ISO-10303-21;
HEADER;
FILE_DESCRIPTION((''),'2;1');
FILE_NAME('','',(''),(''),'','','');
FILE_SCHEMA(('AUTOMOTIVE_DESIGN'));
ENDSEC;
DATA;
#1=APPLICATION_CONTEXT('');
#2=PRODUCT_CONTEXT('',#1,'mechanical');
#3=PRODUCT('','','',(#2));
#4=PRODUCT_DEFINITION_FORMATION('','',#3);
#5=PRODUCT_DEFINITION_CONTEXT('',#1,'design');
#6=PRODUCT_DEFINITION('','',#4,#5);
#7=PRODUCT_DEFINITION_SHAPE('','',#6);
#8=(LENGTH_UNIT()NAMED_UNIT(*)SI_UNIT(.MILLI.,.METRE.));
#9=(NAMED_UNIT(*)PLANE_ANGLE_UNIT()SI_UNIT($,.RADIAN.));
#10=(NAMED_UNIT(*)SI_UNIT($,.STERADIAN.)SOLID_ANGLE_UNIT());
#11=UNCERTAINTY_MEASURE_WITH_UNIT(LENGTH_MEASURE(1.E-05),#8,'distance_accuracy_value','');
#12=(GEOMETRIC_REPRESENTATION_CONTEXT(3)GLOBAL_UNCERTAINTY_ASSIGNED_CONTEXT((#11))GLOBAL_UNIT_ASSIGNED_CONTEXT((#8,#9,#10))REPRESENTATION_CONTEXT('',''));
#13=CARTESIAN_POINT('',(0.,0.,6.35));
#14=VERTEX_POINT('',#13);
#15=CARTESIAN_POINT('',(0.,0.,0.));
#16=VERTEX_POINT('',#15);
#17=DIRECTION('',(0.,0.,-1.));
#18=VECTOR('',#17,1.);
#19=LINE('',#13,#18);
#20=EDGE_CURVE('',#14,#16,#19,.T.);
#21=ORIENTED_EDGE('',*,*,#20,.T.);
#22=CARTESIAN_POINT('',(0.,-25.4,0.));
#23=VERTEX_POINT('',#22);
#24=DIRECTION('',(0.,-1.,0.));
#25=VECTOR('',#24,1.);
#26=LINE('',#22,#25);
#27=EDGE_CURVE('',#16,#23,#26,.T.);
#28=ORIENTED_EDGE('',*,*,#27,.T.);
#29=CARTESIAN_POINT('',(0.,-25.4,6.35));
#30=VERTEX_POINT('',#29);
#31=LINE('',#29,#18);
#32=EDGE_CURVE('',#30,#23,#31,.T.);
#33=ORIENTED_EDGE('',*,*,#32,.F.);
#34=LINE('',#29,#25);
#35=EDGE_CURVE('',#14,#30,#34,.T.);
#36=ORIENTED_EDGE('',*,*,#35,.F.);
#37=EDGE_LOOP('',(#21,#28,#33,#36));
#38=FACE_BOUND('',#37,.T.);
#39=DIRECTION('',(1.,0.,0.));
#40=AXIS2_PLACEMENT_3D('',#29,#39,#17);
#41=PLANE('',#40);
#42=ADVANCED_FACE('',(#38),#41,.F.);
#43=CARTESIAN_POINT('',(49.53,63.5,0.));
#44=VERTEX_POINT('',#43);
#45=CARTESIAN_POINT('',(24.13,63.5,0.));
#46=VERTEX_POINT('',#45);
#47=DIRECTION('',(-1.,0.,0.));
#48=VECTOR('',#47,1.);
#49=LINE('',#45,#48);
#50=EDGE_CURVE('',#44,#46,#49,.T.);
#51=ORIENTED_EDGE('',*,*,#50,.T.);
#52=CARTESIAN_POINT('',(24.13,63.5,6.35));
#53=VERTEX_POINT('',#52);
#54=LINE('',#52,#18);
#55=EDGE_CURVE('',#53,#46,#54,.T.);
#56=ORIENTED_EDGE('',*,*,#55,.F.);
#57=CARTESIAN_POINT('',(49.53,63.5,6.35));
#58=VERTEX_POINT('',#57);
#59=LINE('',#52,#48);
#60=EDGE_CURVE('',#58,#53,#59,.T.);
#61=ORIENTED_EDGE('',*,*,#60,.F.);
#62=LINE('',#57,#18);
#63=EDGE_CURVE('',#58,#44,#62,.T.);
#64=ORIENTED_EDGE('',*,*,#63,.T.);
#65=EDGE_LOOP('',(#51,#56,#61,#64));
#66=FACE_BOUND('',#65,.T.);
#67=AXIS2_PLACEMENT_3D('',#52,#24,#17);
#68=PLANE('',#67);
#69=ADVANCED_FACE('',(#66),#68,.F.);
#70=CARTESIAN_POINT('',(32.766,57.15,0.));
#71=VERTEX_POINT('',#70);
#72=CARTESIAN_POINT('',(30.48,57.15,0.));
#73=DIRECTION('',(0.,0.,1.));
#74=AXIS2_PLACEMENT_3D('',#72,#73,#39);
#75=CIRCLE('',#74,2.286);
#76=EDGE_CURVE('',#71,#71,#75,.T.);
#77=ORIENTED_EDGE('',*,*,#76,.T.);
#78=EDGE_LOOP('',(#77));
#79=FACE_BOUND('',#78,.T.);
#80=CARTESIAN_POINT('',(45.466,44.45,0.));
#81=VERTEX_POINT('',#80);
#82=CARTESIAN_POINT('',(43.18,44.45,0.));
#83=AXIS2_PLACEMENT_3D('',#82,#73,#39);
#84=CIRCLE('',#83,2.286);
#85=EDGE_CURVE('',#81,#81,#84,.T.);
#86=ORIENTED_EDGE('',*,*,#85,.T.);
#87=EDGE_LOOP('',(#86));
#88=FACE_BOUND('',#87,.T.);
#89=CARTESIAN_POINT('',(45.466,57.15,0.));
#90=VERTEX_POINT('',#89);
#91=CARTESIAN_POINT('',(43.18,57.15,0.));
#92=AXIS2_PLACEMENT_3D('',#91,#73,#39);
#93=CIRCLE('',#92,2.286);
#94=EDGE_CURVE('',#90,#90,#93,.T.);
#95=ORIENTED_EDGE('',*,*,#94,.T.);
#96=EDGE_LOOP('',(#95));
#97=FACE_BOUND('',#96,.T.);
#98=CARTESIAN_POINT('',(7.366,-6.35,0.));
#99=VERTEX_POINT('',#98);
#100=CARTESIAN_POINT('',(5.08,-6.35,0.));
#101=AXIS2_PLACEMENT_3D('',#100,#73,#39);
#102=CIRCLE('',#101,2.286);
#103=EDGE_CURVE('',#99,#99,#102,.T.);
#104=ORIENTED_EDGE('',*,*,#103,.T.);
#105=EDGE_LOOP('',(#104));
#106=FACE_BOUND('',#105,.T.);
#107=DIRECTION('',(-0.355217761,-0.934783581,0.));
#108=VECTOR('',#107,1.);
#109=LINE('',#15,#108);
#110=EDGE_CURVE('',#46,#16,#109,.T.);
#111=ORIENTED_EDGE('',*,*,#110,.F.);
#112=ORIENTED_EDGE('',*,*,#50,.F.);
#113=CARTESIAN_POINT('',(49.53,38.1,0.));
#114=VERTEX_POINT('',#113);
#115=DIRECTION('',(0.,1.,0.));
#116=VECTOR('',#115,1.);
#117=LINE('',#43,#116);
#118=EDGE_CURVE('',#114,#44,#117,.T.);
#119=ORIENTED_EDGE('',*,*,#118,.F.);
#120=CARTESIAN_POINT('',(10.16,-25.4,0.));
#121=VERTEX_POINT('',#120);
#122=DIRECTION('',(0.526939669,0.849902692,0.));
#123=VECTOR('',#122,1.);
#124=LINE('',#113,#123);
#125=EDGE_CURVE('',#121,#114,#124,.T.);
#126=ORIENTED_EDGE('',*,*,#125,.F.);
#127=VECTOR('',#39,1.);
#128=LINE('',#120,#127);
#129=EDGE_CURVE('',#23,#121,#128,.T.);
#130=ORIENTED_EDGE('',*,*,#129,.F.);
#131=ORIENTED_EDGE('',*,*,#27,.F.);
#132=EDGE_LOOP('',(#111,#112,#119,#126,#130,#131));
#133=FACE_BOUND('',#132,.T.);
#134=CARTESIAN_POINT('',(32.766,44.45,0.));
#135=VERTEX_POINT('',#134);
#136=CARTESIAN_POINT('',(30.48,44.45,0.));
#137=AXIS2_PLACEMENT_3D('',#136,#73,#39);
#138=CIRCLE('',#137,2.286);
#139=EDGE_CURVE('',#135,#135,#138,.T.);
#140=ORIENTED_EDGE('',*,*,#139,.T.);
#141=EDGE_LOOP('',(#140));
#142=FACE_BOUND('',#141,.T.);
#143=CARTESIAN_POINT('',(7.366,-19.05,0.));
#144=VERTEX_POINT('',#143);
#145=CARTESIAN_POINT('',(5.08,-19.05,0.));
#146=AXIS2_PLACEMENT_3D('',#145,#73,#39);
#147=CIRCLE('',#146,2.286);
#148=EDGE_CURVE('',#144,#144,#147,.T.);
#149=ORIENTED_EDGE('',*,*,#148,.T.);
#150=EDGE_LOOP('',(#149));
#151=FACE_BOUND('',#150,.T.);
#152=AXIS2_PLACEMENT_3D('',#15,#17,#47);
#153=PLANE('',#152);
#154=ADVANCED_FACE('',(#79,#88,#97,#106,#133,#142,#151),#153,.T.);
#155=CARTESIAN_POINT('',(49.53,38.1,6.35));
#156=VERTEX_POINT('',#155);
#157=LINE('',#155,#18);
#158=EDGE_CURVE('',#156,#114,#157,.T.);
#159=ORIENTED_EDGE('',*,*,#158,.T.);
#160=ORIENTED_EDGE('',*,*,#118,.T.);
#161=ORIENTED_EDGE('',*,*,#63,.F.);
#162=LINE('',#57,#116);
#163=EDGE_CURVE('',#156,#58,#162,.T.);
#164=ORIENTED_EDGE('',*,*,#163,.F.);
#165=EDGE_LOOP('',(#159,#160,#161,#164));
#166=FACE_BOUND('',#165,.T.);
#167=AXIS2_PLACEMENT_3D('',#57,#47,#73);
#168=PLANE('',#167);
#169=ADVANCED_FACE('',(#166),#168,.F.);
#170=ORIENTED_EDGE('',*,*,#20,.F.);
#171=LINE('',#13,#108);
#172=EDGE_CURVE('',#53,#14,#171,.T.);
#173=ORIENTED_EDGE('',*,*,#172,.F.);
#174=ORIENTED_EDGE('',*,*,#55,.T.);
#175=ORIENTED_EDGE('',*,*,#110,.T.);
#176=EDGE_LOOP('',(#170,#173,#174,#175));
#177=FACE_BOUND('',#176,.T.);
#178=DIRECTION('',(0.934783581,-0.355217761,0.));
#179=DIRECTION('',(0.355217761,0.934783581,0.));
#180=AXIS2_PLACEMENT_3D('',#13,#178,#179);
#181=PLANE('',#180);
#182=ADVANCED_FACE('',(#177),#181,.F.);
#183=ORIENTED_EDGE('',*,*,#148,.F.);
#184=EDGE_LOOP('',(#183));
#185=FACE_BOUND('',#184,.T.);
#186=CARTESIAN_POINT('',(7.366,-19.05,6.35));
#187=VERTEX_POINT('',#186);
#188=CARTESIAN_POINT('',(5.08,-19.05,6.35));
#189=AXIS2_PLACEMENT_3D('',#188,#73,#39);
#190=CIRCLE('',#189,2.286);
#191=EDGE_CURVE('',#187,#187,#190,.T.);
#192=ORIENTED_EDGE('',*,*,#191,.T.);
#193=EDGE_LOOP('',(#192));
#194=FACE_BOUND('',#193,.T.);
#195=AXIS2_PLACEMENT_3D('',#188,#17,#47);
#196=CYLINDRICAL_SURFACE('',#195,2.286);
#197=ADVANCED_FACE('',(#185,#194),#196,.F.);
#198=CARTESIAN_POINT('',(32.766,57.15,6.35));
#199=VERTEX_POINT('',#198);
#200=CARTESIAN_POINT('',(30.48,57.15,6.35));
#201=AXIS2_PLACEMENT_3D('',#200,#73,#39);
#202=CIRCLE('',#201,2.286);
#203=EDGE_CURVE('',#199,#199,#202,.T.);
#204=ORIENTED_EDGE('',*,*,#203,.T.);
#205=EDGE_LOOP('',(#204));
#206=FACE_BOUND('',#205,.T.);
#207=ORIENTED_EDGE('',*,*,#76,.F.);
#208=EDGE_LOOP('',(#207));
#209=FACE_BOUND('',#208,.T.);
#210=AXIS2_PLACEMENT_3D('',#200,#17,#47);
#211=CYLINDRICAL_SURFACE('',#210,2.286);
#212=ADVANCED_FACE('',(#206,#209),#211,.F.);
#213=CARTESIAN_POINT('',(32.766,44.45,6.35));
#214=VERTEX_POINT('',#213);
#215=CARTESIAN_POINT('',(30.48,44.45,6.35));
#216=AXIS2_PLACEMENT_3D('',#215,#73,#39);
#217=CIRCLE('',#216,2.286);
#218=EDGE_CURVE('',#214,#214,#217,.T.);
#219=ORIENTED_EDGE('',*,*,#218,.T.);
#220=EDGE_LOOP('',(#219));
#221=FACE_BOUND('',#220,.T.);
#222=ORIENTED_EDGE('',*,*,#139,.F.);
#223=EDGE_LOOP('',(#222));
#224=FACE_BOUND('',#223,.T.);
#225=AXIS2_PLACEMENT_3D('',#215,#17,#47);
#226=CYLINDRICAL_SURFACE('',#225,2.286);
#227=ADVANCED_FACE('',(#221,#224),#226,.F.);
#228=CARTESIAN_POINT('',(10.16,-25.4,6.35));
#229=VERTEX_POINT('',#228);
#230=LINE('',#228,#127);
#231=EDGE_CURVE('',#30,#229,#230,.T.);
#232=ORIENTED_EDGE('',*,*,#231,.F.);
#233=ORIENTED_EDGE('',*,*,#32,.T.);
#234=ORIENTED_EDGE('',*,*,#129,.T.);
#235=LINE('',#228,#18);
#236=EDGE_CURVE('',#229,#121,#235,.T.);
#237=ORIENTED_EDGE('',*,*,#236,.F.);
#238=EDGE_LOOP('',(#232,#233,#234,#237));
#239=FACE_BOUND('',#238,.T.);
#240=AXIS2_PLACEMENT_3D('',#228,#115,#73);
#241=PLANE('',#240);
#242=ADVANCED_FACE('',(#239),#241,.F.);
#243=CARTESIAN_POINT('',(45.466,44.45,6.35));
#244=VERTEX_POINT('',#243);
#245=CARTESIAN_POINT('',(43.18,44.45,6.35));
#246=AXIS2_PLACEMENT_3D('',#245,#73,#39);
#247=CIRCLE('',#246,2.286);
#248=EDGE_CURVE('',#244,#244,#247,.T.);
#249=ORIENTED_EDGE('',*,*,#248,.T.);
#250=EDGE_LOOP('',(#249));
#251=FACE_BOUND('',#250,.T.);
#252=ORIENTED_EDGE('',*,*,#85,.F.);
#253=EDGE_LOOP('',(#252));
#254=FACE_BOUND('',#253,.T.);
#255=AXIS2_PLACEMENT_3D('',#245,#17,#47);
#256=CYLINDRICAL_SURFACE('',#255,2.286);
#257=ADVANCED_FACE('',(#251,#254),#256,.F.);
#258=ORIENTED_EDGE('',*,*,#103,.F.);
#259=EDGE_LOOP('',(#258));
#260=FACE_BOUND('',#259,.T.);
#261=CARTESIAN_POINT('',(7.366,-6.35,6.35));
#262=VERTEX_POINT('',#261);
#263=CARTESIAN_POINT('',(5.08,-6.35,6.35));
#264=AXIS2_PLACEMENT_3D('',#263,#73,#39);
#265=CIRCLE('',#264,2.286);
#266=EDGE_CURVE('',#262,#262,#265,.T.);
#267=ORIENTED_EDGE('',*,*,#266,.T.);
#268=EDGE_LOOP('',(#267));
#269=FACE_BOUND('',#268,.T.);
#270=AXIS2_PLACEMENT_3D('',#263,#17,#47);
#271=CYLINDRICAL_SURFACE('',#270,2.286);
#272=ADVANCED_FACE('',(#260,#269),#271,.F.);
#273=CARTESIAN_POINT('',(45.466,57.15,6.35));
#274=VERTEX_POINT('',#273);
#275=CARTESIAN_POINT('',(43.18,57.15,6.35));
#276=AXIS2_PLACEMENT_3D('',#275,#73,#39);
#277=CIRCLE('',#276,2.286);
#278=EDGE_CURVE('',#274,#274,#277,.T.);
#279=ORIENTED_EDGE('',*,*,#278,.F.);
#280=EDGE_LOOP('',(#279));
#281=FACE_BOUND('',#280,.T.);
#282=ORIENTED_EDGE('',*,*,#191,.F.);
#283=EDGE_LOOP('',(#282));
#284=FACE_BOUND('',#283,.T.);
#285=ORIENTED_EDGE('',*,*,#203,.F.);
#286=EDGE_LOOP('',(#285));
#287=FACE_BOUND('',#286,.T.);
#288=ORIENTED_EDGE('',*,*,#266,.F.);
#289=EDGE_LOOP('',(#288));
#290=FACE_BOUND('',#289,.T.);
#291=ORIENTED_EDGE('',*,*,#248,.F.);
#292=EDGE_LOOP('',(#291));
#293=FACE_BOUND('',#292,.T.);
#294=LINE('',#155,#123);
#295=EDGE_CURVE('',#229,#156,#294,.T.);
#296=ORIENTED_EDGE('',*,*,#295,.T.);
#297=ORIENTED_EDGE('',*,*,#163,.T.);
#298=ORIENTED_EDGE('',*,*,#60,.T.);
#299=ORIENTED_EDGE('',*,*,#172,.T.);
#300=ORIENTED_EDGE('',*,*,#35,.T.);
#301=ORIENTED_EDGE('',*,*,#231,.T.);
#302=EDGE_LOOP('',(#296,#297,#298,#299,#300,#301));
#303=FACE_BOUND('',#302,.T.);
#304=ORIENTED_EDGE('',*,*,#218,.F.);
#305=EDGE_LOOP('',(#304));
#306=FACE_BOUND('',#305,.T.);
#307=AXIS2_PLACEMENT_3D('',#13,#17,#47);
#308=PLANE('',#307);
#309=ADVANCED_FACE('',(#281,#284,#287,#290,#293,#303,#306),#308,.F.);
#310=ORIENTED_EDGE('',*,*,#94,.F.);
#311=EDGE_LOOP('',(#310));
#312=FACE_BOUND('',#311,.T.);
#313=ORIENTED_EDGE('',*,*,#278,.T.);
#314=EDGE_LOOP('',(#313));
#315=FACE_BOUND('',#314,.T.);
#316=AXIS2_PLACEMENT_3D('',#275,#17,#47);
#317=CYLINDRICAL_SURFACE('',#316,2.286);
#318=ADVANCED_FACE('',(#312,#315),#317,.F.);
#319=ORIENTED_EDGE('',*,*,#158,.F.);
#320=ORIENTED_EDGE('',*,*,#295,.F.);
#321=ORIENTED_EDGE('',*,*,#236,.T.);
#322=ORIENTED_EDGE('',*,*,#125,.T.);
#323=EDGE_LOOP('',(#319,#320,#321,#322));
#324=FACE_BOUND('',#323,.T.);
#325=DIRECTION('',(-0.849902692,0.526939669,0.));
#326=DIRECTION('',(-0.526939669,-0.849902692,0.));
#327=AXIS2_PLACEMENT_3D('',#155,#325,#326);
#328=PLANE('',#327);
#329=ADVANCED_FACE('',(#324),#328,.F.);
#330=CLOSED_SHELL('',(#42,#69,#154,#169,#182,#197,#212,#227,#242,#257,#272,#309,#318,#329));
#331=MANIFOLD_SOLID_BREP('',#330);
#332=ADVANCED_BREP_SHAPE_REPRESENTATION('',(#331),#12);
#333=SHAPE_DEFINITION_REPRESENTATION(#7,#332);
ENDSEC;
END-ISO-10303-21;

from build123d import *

# Parameters (mm, degrees)
SKETCH1_R           = 2.286
BOSS_EXTRUDE1_DEPTH = 6.35


with BuildPart() as part:
    # Sketch1 → Boss-Extrude1 (new body)
    with BuildSketch(Plane.XY):
        Polygon((0, 0), (24.13, 63.5), (49.53, 63.5), (49.53, 38.1), (10.16, -25.4), (0, -25.4), align=None)
        with Locations((5.08, -19.05)):
            Circle(SKETCH1_R, mode=Mode.SUBTRACT)
        with Locations((5.08, -6.35)):
            Circle(SKETCH1_R, mode=Mode.SUBTRACT)
        with Locations((43.18, 57.15)):
            Circle(SKETCH1_R, mode=Mode.SUBTRACT)
        with Locations((30.48, 57.15)):
            Circle(SKETCH1_R, mode=Mode.SUBTRACT)
        with Locations((30.48, 44.45)):
            Circle(SKETCH1_R, mode=Mode.SUBTRACT)
        with Locations((43.18, 44.45)):
            Circle(SKETCH1_R, mode=Mode.SUBTRACT)
    extrude(amount=BOSS_EXTRUDE1_DEPTH)


solid = part.part
